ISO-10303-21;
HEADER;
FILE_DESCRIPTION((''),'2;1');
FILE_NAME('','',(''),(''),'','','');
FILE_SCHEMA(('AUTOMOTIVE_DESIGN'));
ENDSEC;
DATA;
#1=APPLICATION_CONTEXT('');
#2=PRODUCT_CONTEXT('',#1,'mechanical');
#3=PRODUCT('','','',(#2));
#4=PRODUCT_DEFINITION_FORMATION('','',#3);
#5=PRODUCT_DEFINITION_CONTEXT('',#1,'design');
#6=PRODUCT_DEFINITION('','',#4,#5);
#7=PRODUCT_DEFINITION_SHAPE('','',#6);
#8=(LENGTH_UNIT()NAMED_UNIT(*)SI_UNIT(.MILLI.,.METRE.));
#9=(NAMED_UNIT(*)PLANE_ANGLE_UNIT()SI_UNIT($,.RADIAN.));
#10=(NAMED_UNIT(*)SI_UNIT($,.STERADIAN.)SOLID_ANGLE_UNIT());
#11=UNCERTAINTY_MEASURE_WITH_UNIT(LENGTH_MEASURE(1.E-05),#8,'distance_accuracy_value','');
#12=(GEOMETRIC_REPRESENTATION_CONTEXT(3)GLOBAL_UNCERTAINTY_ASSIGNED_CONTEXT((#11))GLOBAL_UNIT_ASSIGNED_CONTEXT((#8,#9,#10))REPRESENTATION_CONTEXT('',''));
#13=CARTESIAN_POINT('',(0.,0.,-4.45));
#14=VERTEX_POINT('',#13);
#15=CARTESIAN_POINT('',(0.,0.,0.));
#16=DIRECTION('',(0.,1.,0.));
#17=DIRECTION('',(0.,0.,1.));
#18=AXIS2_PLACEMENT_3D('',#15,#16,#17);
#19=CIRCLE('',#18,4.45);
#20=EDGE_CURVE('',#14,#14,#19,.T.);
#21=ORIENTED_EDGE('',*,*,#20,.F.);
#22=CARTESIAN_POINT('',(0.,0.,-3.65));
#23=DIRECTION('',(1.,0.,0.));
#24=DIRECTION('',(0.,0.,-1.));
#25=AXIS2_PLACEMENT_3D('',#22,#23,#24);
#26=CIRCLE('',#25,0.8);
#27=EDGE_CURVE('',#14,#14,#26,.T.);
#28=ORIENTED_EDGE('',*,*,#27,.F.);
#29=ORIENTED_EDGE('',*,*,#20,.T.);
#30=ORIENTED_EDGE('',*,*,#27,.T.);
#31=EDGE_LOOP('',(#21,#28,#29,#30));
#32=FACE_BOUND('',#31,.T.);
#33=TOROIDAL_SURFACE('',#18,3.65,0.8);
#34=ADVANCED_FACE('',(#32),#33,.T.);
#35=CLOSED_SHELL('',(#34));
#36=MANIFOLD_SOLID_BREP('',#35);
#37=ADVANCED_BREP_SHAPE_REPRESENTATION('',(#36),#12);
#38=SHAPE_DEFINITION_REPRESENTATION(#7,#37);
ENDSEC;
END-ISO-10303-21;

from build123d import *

# Parameters (mm, degrees)
CROQUIS2_R = 0.8


with BuildPart() as part:
    # Barrer1: sweep along a path in Croquis1
    with BuildLine(Plane(origin=(0, 0, 0), x_dir=(1, 0, 0), z_dir=(0, 1, 0))) as barrer1_path:
        CenterArc((0, 0), 3.65, 0, 360)
    # Croquis2 → Barrer1 (sweep)
    with BuildSketch(Plane(origin=(0, 0, 0), x_dir=(0, 0, -1), z_dir=(1, 0, 0))):
        with Locations((3.65, 0)):
            Circle(CROQUIS2_R)
    sweep(path=barrer1_path.line)


solid = part.part
